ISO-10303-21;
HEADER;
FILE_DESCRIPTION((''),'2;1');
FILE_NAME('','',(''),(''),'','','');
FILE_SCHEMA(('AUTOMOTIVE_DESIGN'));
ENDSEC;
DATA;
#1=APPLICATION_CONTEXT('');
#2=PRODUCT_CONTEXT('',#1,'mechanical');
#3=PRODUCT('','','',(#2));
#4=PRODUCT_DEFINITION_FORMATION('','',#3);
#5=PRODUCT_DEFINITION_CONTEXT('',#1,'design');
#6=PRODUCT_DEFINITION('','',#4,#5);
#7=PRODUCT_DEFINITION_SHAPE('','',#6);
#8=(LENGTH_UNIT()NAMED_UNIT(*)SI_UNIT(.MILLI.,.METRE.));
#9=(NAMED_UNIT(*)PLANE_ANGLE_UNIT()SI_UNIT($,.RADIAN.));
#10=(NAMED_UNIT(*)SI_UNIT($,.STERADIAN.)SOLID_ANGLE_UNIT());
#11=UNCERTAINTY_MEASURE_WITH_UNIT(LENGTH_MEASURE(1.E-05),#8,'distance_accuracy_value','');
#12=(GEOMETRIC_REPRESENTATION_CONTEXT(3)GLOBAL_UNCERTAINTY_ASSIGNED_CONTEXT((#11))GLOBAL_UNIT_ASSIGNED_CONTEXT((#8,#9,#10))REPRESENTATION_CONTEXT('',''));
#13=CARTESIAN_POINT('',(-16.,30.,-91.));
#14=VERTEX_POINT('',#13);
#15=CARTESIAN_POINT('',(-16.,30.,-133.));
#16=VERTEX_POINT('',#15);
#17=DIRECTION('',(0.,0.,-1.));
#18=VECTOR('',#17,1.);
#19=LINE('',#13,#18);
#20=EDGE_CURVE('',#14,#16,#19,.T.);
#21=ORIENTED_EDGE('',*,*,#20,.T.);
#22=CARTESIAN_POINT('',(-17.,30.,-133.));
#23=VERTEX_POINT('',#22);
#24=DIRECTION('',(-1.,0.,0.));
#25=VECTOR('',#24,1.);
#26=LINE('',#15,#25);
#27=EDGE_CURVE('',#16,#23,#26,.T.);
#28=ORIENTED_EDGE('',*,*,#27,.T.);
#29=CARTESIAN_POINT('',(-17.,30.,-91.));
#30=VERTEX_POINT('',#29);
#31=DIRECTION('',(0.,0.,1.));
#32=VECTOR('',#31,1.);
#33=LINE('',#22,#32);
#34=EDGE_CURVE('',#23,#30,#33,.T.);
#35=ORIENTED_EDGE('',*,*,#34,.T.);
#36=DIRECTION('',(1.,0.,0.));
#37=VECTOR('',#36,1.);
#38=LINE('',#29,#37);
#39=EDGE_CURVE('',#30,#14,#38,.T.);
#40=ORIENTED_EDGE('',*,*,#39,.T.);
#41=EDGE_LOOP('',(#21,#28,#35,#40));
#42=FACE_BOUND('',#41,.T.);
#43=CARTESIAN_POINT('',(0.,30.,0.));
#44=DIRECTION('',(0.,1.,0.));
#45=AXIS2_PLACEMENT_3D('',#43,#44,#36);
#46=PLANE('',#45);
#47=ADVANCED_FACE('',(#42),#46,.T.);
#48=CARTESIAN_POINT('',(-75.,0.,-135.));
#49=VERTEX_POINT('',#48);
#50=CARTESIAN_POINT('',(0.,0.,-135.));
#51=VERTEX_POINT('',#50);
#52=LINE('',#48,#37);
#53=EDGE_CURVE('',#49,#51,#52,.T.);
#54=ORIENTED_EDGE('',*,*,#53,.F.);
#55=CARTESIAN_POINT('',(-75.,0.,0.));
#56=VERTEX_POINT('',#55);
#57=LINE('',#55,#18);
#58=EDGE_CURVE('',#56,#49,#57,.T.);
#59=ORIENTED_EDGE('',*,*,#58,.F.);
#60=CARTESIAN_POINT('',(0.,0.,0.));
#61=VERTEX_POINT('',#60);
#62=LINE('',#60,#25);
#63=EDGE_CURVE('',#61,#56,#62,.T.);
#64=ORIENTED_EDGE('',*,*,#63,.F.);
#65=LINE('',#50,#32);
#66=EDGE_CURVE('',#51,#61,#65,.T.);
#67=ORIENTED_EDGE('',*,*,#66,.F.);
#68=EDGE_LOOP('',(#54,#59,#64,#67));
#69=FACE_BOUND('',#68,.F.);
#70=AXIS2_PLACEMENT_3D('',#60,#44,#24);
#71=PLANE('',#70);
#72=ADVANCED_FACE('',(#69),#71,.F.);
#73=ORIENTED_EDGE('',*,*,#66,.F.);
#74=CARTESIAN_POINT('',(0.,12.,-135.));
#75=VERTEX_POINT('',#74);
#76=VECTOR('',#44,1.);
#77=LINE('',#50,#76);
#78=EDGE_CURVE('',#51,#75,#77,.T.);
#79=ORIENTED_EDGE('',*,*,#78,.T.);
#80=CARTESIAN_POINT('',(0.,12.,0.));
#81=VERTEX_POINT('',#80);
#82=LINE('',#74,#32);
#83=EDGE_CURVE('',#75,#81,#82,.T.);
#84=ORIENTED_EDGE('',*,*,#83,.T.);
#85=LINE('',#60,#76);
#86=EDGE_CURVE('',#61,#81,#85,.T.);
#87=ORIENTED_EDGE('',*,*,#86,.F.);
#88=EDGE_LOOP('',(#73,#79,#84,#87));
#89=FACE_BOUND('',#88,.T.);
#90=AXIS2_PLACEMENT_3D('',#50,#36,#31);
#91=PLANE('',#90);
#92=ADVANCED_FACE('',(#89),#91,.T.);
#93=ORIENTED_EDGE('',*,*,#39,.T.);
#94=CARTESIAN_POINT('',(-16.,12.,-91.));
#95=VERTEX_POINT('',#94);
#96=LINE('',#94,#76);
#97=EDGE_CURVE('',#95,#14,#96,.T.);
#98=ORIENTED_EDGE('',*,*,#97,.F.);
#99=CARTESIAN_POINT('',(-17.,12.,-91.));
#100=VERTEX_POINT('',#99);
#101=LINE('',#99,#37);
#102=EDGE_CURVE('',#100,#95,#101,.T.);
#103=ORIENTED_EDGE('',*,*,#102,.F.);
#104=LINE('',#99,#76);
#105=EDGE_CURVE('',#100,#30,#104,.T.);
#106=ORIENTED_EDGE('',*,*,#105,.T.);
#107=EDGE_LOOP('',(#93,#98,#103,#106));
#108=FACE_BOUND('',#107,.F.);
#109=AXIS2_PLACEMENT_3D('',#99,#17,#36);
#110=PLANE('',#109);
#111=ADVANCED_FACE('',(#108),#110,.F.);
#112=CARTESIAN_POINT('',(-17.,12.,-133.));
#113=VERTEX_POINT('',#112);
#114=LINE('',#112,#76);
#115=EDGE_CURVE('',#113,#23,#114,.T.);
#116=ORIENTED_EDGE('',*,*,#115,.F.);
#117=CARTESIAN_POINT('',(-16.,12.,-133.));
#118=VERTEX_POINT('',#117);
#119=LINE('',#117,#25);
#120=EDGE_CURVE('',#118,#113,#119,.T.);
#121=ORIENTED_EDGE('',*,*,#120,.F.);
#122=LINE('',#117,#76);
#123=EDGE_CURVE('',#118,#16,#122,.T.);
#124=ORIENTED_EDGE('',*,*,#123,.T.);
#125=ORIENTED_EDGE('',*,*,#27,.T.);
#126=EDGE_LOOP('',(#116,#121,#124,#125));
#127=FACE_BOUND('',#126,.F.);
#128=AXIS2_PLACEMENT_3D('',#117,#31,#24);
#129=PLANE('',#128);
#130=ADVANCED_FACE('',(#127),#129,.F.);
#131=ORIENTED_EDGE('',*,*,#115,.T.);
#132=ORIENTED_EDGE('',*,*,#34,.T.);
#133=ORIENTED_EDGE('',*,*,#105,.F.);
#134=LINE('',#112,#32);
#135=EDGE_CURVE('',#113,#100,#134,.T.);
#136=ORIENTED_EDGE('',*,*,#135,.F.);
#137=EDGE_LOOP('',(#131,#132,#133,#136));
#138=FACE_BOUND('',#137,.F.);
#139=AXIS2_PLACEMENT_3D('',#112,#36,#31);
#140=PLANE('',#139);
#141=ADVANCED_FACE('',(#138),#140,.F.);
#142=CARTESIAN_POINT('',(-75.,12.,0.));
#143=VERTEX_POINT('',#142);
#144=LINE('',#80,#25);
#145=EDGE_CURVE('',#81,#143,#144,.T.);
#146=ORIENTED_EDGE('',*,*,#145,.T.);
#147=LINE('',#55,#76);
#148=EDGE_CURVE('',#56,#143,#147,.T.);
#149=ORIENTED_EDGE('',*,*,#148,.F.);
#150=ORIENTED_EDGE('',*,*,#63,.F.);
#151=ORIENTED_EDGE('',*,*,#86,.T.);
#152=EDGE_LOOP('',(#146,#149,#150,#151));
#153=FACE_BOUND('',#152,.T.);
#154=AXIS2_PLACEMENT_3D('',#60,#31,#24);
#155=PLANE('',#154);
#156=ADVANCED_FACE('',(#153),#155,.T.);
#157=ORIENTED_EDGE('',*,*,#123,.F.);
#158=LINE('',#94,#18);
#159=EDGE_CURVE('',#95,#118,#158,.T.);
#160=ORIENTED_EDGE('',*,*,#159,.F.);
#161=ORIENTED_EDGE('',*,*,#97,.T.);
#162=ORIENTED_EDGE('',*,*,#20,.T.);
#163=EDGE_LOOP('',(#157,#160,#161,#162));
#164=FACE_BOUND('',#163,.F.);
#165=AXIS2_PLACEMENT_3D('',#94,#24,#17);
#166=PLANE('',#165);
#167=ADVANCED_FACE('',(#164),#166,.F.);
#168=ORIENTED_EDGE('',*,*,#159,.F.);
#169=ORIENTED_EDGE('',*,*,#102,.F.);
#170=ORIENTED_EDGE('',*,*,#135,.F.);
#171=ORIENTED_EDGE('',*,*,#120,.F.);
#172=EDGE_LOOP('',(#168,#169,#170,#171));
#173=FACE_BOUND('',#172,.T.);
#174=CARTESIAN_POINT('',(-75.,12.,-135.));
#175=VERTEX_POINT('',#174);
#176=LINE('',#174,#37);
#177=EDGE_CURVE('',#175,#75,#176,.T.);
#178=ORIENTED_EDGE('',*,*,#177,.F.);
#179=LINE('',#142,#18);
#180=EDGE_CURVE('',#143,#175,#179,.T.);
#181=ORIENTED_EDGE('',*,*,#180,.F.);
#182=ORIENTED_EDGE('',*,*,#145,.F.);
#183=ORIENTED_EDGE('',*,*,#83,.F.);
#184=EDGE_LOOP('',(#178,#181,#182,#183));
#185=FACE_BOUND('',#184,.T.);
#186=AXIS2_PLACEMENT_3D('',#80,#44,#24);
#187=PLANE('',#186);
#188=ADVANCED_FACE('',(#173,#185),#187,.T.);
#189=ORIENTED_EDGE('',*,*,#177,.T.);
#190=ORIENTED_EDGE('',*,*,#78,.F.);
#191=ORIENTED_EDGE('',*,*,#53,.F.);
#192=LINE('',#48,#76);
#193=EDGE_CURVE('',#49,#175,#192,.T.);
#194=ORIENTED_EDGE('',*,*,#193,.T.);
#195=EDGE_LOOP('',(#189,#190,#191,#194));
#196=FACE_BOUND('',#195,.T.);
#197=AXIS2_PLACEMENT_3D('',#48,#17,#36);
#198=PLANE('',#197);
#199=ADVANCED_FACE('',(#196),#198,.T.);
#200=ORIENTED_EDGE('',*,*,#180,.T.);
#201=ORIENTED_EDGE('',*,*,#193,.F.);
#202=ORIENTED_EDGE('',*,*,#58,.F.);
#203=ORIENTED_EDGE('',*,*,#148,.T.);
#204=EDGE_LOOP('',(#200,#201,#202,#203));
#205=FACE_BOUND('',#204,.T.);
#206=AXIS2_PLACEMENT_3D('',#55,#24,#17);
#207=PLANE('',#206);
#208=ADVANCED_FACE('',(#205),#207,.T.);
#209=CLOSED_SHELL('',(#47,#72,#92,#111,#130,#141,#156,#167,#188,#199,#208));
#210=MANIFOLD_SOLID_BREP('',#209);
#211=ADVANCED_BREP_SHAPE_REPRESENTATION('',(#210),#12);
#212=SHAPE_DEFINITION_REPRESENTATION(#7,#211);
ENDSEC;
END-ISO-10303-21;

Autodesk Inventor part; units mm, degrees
ref_plane "YZ Plane" through (0, 0, 0) normal (1, 0, 0) x (0, 1, 0)
ref_plane "XZ Plane" through (0, 0, 0) normal (0, 1, 0) x (-1, 0, 0)
ref_plane "XY Plane" through (0, 0, 0) normal (0, 0, 1) x (1, 0, 0)
sketch "Sketch1" plane through (0, 0, 0) normal (0, 1, 0) x (-1, 0, 0)
  line L0 (0, 0) -> (75, 0)
  line L1 (75, 0) -> (75, -135)
  line L2 (75, -135) -> (0, -135)
  line L3 (0, -135) -> (0, 0)
  dimension "d0" = 75
  dimension "d1" = 135
extrude "Extrusion1" add sketch "Sketch1" along normal blind 12
sketch "Sketch4" plane through (0, 12, 0) normal (0, 1, 0) x (1, 0, 0)
  line L0 (0, 0) -> (0, 135) projected
  line L1 (0, 135) -> (-75, 135) projected
  line L2 (-16, 133) -> (-17, 133)
  line L3 (-17, 133) -> (-17, 91)
  line L4 (-17, 91) -> (-16, 91)
  line L5 (-16, 91) -> (-16, 133)
  dimension "d10" = 1
  dimension "d11" = 42
  dimension "d12" = 16
  dimension "d13" = 2
extrude "Extrusion3" add sketch "Sketch4" along normal blind 18
properties part number "RumbaBoard"
